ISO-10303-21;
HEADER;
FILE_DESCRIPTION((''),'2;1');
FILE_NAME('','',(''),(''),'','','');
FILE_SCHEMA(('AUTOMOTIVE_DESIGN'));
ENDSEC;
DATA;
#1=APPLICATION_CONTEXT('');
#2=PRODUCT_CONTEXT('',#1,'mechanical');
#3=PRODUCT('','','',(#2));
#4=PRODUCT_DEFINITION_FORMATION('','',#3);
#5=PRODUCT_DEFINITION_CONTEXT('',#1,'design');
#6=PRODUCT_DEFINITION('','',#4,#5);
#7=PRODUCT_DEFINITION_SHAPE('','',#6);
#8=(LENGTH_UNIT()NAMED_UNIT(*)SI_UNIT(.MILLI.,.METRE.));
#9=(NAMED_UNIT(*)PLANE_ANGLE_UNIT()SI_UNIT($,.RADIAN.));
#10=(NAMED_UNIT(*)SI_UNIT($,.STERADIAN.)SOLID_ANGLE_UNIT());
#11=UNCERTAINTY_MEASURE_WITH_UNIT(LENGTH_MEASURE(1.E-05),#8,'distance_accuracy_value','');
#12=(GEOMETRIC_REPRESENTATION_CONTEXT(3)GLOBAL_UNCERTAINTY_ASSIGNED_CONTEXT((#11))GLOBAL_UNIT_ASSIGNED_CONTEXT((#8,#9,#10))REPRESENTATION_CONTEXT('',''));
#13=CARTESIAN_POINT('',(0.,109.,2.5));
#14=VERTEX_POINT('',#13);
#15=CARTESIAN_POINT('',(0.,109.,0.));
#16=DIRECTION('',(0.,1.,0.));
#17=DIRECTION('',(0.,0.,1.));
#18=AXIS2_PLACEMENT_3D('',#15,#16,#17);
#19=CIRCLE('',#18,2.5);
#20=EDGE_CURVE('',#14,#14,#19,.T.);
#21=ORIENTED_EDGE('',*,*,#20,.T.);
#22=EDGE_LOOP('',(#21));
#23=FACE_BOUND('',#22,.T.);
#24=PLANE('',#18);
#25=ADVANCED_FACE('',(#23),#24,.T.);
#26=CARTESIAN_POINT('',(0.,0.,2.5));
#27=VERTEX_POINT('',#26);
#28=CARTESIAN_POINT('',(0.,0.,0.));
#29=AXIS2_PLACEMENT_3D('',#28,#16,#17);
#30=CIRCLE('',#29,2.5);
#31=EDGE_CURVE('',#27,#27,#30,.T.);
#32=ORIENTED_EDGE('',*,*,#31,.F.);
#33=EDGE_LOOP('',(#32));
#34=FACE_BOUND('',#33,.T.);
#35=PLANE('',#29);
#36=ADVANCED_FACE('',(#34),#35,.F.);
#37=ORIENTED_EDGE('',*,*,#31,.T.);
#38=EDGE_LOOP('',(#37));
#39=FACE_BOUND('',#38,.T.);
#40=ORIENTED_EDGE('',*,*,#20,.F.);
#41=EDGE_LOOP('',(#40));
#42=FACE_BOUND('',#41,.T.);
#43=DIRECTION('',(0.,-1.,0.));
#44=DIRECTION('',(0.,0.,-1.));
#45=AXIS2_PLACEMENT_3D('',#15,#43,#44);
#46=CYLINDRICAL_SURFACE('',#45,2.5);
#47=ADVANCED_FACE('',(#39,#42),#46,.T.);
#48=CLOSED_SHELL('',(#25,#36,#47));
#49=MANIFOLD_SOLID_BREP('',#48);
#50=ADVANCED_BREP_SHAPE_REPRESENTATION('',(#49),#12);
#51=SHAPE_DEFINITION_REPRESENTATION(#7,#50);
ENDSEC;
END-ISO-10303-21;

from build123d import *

# Parameters (mm, degrees)
SKETCH1_R           = 2.5
BOSS_EXTRUDE1_DEPTH = 109


with BuildPart() as part:
    # Sketch1 → Boss-Extrude1 (new body)
    with BuildSketch(Plane(origin=(0, 0, 0), x_dir=(1, 0, 0), z_dir=(0, 1, 0))):
        Circle(SKETCH1_R)
    extrude(amount=BOSS_EXTRUDE1_DEPTH)


solid = part.part
